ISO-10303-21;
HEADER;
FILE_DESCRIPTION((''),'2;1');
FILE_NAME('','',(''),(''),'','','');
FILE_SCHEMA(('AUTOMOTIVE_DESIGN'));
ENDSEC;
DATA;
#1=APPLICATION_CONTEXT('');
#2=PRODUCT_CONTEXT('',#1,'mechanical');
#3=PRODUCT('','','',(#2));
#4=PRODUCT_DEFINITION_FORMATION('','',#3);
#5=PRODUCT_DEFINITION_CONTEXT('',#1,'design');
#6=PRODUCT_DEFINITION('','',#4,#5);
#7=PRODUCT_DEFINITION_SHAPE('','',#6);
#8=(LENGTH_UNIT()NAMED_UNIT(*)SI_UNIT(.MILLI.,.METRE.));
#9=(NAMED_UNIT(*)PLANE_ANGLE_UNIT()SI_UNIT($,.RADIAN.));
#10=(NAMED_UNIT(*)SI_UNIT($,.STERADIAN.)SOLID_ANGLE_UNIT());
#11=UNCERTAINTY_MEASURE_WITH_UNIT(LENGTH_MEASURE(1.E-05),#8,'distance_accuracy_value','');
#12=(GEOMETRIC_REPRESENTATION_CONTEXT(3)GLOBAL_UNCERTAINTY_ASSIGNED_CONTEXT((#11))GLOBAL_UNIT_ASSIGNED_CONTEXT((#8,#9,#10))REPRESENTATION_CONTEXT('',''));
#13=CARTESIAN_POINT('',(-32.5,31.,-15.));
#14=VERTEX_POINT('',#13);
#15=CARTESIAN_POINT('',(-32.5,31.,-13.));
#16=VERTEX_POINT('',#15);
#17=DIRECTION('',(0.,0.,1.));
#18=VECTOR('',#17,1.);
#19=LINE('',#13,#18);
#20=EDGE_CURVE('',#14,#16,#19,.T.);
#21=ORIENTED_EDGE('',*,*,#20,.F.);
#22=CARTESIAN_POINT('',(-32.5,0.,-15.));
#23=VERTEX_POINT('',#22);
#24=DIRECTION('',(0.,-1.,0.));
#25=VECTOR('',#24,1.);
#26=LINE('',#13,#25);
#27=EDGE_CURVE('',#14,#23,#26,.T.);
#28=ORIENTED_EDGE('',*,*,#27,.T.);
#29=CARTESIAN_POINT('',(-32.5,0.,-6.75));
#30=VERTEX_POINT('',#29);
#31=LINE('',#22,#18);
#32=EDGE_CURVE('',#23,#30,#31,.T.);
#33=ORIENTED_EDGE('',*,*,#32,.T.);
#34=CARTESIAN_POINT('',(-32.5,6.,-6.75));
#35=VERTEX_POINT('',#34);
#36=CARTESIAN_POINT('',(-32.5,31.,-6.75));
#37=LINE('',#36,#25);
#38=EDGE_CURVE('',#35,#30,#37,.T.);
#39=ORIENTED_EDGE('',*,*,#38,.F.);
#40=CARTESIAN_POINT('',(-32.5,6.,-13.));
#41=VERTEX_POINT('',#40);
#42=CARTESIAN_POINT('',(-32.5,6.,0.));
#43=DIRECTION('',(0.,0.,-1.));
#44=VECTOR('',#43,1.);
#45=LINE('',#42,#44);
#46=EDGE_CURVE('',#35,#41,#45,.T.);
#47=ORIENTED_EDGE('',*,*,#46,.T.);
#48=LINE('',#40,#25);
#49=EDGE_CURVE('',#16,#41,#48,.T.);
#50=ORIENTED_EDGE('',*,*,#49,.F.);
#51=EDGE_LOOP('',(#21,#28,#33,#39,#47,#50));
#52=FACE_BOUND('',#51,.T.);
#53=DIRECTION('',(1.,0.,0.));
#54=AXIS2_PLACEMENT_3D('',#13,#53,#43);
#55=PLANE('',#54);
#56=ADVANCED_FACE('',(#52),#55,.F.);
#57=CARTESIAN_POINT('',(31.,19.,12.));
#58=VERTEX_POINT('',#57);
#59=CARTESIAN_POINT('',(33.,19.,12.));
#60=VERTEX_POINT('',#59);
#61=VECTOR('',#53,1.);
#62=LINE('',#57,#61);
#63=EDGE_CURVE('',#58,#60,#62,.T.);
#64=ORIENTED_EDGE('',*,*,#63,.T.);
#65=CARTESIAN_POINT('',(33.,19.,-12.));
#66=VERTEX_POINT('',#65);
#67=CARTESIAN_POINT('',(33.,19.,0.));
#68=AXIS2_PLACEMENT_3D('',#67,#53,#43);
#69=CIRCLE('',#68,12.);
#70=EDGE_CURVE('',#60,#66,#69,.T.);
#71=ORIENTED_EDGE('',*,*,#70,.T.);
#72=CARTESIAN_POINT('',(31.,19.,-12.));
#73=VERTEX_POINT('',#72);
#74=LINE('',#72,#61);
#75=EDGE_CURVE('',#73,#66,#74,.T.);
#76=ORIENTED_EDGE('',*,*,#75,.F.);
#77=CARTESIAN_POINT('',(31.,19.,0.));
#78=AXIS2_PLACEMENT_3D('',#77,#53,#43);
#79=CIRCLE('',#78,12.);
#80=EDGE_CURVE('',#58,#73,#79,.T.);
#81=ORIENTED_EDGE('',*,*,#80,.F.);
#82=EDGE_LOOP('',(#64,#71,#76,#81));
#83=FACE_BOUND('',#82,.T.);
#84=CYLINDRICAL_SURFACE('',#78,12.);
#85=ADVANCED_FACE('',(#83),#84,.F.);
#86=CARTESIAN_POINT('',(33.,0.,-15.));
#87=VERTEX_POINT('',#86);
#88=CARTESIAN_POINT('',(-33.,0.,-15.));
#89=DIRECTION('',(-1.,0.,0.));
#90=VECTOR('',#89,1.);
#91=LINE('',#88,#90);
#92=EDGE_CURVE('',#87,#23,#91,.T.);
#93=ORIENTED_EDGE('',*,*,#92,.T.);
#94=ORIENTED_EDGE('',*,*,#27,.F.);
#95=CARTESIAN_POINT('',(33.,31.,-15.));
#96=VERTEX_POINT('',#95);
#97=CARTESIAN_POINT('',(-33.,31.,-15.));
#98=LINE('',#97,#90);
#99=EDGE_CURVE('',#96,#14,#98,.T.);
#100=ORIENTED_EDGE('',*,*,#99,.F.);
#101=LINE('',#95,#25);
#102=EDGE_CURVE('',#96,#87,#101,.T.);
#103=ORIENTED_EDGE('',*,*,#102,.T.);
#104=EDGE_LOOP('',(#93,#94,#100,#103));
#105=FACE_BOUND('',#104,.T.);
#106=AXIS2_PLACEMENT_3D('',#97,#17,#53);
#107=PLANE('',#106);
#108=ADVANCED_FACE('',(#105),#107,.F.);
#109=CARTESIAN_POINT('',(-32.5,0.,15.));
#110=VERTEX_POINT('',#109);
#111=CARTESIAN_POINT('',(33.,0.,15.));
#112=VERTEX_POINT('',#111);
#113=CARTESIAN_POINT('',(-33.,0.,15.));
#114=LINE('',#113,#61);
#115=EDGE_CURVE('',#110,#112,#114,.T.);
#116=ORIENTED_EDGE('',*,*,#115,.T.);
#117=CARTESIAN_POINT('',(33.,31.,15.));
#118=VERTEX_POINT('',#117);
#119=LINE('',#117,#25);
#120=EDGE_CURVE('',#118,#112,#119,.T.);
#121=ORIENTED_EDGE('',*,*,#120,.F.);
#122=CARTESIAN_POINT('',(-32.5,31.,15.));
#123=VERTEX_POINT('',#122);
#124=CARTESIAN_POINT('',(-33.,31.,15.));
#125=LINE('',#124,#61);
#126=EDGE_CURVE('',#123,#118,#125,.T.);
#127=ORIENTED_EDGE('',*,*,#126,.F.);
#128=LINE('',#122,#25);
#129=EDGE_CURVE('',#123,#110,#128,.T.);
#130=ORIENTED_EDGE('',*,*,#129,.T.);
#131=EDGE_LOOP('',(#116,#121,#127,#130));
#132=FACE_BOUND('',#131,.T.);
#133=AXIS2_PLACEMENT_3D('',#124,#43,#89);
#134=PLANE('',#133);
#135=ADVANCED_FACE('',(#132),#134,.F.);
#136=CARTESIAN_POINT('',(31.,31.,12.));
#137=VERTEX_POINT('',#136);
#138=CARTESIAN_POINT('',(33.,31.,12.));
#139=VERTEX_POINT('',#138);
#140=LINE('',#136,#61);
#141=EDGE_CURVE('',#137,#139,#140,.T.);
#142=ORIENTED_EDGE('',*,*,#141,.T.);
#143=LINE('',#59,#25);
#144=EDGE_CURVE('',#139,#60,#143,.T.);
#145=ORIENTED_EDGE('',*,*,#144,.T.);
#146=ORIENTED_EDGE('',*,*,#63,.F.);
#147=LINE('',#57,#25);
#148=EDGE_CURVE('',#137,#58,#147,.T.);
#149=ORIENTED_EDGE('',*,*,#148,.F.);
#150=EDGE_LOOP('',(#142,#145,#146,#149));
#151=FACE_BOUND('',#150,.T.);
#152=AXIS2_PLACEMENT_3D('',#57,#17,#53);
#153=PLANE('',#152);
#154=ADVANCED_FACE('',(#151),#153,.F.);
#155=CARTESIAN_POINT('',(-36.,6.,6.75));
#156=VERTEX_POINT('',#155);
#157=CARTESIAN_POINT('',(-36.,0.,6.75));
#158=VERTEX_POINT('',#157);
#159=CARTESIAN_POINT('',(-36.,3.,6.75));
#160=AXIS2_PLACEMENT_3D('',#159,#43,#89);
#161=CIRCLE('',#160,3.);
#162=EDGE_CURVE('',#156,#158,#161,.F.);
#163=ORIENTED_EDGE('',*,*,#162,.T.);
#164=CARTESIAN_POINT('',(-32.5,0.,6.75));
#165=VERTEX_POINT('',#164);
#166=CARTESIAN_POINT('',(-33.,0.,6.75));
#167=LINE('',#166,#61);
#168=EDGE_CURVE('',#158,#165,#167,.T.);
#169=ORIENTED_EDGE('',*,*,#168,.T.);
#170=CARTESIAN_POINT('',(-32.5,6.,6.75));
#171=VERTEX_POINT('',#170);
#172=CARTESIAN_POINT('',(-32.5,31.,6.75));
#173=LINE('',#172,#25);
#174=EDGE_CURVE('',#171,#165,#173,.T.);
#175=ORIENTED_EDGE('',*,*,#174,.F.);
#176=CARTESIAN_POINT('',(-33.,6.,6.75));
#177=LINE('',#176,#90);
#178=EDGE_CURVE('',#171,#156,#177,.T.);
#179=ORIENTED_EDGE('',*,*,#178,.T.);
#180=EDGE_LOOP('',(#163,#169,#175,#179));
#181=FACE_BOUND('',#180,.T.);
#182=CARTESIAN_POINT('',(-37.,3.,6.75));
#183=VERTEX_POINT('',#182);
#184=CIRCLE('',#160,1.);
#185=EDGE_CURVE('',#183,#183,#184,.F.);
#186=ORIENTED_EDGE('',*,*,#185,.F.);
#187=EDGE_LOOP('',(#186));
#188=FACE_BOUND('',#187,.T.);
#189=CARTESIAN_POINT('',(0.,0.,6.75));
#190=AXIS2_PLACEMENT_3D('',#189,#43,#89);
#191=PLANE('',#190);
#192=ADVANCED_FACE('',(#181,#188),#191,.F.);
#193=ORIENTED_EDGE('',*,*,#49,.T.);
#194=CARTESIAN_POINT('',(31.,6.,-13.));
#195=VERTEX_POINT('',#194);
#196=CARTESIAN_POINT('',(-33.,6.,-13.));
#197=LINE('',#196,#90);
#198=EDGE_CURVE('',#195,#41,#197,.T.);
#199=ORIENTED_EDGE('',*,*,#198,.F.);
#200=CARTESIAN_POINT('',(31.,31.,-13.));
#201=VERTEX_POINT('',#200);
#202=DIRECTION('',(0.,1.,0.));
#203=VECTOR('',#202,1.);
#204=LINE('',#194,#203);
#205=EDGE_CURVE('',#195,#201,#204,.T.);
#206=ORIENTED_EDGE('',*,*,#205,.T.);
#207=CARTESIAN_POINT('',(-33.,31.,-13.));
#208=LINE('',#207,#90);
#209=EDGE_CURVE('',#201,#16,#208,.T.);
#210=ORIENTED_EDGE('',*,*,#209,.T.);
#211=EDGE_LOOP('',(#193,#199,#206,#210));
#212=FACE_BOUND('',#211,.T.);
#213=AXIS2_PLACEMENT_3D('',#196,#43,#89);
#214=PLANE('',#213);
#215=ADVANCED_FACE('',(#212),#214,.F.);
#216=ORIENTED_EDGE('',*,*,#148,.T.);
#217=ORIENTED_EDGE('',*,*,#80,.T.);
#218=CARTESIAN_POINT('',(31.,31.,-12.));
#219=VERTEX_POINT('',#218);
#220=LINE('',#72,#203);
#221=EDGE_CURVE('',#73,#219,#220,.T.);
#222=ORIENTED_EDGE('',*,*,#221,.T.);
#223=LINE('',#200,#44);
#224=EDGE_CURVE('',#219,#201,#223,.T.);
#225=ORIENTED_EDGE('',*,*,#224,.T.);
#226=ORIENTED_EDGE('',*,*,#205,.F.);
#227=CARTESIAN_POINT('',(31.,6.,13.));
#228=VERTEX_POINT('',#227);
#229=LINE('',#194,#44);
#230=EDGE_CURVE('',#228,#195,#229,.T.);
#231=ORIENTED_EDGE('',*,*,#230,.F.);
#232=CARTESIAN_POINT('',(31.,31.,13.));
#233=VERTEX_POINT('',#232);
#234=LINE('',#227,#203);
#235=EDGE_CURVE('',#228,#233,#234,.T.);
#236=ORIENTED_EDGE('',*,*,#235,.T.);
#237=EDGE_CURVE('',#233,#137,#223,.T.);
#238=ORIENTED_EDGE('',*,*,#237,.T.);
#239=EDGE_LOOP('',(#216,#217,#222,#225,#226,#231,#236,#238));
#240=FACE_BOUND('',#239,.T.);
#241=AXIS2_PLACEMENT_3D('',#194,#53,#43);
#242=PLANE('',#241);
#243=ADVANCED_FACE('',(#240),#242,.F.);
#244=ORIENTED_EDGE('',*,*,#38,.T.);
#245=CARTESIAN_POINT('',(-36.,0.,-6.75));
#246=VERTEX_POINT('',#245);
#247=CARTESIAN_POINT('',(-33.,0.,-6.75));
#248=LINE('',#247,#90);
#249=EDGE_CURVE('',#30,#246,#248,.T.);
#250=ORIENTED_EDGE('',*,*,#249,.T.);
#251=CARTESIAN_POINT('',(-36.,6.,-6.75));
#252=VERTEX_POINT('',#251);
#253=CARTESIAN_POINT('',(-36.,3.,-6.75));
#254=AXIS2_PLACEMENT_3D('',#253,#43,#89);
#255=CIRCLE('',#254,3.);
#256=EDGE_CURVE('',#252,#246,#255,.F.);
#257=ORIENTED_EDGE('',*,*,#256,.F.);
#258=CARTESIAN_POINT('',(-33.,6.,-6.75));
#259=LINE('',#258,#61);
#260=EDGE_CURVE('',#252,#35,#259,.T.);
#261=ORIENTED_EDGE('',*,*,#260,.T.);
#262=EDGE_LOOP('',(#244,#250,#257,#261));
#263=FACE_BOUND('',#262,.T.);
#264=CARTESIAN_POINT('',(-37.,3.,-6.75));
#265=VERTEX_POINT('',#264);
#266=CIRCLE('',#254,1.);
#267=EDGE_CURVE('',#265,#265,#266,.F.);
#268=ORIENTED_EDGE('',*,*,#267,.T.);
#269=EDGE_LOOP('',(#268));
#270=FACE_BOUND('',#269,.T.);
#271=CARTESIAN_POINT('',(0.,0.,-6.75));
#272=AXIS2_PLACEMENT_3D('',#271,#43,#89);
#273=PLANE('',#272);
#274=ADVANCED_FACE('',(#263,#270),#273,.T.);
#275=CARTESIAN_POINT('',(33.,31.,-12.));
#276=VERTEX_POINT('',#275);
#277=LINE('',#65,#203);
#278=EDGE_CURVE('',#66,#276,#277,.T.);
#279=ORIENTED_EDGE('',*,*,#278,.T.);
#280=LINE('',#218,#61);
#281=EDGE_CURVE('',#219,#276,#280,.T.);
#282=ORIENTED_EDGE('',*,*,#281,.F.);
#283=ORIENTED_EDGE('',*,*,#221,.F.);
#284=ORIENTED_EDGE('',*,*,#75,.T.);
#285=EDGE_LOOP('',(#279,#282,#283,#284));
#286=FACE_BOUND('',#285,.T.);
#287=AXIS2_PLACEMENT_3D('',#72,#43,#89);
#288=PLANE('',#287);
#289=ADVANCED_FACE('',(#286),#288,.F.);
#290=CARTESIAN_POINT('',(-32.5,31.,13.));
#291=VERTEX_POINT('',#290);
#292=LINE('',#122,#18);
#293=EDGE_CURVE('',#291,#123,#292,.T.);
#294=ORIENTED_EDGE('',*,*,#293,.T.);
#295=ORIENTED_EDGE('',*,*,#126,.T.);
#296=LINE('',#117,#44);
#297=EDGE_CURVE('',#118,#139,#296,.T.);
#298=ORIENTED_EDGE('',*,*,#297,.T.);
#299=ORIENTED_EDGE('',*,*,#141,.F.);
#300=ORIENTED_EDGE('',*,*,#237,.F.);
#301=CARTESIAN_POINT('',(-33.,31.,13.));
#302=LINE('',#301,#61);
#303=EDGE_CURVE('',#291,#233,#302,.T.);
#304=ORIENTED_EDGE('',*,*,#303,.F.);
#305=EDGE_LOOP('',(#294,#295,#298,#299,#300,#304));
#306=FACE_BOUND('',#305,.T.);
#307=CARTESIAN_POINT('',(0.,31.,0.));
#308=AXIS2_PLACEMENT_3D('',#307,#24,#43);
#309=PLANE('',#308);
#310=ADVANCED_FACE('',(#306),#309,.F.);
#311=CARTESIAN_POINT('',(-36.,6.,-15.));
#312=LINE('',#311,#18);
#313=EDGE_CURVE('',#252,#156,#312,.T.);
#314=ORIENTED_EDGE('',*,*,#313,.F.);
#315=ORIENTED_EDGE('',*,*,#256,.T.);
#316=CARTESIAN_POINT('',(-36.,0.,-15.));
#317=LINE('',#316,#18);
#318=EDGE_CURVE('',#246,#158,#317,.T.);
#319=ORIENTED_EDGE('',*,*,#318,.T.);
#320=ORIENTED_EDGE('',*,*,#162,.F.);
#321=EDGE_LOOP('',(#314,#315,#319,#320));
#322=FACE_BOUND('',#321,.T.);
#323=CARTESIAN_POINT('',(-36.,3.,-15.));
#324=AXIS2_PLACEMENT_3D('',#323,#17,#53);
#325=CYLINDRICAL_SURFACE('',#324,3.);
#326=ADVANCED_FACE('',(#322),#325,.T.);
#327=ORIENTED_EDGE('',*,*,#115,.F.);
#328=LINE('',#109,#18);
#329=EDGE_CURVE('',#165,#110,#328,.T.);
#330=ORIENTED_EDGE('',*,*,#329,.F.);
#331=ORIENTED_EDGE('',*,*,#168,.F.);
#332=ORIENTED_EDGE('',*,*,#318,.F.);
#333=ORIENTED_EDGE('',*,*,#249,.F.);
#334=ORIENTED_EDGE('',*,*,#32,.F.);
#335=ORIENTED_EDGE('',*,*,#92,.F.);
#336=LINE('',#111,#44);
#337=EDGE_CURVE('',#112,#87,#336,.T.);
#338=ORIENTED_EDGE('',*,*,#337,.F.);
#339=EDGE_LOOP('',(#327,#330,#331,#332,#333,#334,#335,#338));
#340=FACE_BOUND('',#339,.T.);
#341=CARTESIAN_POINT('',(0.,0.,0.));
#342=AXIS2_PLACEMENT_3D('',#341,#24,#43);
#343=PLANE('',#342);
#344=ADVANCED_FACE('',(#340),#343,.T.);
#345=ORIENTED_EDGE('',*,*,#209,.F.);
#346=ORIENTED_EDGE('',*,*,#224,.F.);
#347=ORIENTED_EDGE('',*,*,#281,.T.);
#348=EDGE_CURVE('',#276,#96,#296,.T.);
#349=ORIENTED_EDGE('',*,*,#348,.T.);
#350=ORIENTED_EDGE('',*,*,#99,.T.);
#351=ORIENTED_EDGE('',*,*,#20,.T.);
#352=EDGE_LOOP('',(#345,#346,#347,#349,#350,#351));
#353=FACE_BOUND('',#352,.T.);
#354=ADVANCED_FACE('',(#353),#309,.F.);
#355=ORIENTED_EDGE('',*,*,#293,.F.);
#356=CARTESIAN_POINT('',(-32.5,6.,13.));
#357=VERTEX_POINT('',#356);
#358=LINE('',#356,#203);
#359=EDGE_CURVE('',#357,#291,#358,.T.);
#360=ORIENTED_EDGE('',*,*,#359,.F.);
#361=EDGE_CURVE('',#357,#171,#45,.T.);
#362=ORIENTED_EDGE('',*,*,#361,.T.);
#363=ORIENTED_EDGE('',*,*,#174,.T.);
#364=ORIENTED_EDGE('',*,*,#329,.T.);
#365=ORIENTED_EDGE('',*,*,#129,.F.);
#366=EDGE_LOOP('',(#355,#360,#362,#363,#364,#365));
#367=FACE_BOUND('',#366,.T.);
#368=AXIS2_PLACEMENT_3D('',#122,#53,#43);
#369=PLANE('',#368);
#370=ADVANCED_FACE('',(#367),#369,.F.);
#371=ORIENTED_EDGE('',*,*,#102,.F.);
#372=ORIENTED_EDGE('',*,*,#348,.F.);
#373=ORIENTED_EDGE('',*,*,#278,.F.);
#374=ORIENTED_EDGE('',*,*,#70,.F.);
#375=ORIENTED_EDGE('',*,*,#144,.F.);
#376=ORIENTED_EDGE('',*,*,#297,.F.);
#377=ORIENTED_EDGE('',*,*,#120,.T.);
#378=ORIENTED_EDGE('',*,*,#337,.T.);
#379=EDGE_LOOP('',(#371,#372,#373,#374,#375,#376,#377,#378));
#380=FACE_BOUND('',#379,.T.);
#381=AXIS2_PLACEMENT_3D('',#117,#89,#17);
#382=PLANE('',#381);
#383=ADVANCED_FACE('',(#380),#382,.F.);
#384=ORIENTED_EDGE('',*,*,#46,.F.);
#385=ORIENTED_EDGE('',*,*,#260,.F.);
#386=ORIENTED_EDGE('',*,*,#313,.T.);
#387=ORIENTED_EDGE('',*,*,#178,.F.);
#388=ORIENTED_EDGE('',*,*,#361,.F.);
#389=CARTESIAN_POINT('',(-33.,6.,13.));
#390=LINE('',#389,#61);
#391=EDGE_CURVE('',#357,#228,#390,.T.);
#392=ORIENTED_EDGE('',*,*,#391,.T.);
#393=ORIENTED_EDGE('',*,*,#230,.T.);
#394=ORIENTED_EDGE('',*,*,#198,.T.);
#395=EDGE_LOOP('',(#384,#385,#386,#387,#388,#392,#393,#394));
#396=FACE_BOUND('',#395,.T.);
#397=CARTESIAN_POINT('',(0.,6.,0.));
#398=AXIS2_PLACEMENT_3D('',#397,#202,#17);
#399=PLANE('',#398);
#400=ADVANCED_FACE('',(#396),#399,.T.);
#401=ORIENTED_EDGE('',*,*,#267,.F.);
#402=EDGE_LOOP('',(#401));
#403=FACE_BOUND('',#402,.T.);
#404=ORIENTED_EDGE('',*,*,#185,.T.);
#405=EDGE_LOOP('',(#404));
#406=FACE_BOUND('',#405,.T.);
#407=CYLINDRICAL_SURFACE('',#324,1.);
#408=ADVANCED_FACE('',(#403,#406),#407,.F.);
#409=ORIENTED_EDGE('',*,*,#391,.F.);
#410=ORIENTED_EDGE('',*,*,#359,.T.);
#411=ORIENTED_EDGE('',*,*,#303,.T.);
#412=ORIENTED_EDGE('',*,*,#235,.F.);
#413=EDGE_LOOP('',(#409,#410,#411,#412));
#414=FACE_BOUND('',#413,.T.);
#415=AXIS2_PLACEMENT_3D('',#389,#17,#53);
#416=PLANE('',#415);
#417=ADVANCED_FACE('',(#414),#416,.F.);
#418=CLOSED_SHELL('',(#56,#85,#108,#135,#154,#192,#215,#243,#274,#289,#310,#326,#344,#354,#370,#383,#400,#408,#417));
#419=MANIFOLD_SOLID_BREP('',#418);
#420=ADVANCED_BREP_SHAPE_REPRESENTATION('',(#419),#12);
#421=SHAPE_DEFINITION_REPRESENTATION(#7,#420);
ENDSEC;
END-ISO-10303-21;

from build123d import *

# Parameters (mm, degrees)
SKETCH1_W           = 66
SKETCH1_H           = 30
BOSS_EXTRUDE1_DEPTH = 31
SKETCH2_W           = 64
SKETCH2_H           = 26
CUT_EXTRUDE1_DEPTH  = 25
SKETCH3_R           = 1
BOSS_EXTRUDE2_DEPTH = 30
SKETCH4_W           = 6
SKETCH4_H           = 6
CUT_EXTRUDE2_DEPTH  = 8.25
SKETCH5_W           = 6
SKETCH5_H           = 6
CUT_EXTRUDE3_DEPTH  = 8.25
SKETCH6_W           = 0.5
SKETCH6_H           = 8.25
CUT_EXTRUDE4_DEPTH  = 31
CUT_EXTRUDE5_DEPTH  = 2


with BuildPart() as part:
    # Sketch1 → Boss-Extrude1 (new body)
    with BuildSketch(Plane(origin=(0, 0, 0), x_dir=(1, 0, 0), z_dir=(0, 1, 0))):
        Rectangle(SKETCH1_W, SKETCH1_H)
    extrude(amount=BOSS_EXTRUDE1_DEPTH)

    # Sketch2 → Cut-Extrude1 (cut)
    with BuildSketch(Plane(origin=(0, 31, 0), x_dir=(1, 0, 0), z_dir=(0, 1, 0))):
        with Locations((-1, 0)):
            Rectangle(SKETCH2_W, SKETCH2_H)
    extrude(amount=-CUT_EXTRUDE1_DEPTH, mode=Mode.SUBTRACT)

    # Sketch3 → Boss-Extrude2 (add)
    with BuildSketch(Plane.XY.offset(15)):
        with BuildLine():
            Line((-36, 0), (-33, 0))
            Line((-33, 0), (-33, 6))
            Line((-33, 6), (-36, 6))
            ThreePointArc((-36, 6), (-39, 3), (-36, 0))
        make_face()
        with Locations((-36, 3)):
            Circle(SKETCH3_R, mode=Mode.SUBTRACT)
    extrude(amount=-BOSS_EXTRUDE2_DEPTH)

    # Sketch4 → Cut-Extrude2 (cut)
    with BuildSketch(Plane.XY.offset(15)):
        with Locations((-36, 3)):
            Rectangle(SKETCH4_W, SKETCH4_H)
    extrude(amount=-CUT_EXTRUDE2_DEPTH, mode=Mode.SUBTRACT)

    # Sketch5 → Cut-Extrude3 (cut)
    with BuildSketch(Plane(origin=(0, 0, -15), x_dir=(-1, 0, 0), z_dir=(0, 0, -1))):
        with Locations((36, 3)):
            Rectangle(SKETCH5_W, SKETCH5_H)
    extrude(amount=-CUT_EXTRUDE3_DEPTH, mode=Mode.SUBTRACT)

    # Sketch6 → Cut-Extrude4 (cut)
    with BuildSketch(Plane.XZ):
        with Locations((-32.75, -10.875)):
            Rectangle(SKETCH6_W, SKETCH6_H)
        with Locations((-32.75, 10.875)):
            Rectangle(SKETCH6_W, SKETCH6_H)
    extrude(amount=-CUT_EXTRUDE4_DEPTH, mode=Mode.SUBTRACT)

    # Sketch7 → Cut-Extrude5 (cut)
    with BuildSketch(Plane(origin=(33, 0, 0), x_dir=(0, 0, -1), z_dir=(1, 0, 0))):
        with BuildLine():
            Line((12, 19), (12, 31))
            Line((12, 31), (-12, 31))
            Line((-12, 31), (-12, 19))
            ThreePointArc((-12, 19), (0, 7), (12, 19))
        make_face()
    extrude(amount=-CUT_EXTRUDE5_DEPTH, mode=Mode.SUBTRACT)


solid = part.part
